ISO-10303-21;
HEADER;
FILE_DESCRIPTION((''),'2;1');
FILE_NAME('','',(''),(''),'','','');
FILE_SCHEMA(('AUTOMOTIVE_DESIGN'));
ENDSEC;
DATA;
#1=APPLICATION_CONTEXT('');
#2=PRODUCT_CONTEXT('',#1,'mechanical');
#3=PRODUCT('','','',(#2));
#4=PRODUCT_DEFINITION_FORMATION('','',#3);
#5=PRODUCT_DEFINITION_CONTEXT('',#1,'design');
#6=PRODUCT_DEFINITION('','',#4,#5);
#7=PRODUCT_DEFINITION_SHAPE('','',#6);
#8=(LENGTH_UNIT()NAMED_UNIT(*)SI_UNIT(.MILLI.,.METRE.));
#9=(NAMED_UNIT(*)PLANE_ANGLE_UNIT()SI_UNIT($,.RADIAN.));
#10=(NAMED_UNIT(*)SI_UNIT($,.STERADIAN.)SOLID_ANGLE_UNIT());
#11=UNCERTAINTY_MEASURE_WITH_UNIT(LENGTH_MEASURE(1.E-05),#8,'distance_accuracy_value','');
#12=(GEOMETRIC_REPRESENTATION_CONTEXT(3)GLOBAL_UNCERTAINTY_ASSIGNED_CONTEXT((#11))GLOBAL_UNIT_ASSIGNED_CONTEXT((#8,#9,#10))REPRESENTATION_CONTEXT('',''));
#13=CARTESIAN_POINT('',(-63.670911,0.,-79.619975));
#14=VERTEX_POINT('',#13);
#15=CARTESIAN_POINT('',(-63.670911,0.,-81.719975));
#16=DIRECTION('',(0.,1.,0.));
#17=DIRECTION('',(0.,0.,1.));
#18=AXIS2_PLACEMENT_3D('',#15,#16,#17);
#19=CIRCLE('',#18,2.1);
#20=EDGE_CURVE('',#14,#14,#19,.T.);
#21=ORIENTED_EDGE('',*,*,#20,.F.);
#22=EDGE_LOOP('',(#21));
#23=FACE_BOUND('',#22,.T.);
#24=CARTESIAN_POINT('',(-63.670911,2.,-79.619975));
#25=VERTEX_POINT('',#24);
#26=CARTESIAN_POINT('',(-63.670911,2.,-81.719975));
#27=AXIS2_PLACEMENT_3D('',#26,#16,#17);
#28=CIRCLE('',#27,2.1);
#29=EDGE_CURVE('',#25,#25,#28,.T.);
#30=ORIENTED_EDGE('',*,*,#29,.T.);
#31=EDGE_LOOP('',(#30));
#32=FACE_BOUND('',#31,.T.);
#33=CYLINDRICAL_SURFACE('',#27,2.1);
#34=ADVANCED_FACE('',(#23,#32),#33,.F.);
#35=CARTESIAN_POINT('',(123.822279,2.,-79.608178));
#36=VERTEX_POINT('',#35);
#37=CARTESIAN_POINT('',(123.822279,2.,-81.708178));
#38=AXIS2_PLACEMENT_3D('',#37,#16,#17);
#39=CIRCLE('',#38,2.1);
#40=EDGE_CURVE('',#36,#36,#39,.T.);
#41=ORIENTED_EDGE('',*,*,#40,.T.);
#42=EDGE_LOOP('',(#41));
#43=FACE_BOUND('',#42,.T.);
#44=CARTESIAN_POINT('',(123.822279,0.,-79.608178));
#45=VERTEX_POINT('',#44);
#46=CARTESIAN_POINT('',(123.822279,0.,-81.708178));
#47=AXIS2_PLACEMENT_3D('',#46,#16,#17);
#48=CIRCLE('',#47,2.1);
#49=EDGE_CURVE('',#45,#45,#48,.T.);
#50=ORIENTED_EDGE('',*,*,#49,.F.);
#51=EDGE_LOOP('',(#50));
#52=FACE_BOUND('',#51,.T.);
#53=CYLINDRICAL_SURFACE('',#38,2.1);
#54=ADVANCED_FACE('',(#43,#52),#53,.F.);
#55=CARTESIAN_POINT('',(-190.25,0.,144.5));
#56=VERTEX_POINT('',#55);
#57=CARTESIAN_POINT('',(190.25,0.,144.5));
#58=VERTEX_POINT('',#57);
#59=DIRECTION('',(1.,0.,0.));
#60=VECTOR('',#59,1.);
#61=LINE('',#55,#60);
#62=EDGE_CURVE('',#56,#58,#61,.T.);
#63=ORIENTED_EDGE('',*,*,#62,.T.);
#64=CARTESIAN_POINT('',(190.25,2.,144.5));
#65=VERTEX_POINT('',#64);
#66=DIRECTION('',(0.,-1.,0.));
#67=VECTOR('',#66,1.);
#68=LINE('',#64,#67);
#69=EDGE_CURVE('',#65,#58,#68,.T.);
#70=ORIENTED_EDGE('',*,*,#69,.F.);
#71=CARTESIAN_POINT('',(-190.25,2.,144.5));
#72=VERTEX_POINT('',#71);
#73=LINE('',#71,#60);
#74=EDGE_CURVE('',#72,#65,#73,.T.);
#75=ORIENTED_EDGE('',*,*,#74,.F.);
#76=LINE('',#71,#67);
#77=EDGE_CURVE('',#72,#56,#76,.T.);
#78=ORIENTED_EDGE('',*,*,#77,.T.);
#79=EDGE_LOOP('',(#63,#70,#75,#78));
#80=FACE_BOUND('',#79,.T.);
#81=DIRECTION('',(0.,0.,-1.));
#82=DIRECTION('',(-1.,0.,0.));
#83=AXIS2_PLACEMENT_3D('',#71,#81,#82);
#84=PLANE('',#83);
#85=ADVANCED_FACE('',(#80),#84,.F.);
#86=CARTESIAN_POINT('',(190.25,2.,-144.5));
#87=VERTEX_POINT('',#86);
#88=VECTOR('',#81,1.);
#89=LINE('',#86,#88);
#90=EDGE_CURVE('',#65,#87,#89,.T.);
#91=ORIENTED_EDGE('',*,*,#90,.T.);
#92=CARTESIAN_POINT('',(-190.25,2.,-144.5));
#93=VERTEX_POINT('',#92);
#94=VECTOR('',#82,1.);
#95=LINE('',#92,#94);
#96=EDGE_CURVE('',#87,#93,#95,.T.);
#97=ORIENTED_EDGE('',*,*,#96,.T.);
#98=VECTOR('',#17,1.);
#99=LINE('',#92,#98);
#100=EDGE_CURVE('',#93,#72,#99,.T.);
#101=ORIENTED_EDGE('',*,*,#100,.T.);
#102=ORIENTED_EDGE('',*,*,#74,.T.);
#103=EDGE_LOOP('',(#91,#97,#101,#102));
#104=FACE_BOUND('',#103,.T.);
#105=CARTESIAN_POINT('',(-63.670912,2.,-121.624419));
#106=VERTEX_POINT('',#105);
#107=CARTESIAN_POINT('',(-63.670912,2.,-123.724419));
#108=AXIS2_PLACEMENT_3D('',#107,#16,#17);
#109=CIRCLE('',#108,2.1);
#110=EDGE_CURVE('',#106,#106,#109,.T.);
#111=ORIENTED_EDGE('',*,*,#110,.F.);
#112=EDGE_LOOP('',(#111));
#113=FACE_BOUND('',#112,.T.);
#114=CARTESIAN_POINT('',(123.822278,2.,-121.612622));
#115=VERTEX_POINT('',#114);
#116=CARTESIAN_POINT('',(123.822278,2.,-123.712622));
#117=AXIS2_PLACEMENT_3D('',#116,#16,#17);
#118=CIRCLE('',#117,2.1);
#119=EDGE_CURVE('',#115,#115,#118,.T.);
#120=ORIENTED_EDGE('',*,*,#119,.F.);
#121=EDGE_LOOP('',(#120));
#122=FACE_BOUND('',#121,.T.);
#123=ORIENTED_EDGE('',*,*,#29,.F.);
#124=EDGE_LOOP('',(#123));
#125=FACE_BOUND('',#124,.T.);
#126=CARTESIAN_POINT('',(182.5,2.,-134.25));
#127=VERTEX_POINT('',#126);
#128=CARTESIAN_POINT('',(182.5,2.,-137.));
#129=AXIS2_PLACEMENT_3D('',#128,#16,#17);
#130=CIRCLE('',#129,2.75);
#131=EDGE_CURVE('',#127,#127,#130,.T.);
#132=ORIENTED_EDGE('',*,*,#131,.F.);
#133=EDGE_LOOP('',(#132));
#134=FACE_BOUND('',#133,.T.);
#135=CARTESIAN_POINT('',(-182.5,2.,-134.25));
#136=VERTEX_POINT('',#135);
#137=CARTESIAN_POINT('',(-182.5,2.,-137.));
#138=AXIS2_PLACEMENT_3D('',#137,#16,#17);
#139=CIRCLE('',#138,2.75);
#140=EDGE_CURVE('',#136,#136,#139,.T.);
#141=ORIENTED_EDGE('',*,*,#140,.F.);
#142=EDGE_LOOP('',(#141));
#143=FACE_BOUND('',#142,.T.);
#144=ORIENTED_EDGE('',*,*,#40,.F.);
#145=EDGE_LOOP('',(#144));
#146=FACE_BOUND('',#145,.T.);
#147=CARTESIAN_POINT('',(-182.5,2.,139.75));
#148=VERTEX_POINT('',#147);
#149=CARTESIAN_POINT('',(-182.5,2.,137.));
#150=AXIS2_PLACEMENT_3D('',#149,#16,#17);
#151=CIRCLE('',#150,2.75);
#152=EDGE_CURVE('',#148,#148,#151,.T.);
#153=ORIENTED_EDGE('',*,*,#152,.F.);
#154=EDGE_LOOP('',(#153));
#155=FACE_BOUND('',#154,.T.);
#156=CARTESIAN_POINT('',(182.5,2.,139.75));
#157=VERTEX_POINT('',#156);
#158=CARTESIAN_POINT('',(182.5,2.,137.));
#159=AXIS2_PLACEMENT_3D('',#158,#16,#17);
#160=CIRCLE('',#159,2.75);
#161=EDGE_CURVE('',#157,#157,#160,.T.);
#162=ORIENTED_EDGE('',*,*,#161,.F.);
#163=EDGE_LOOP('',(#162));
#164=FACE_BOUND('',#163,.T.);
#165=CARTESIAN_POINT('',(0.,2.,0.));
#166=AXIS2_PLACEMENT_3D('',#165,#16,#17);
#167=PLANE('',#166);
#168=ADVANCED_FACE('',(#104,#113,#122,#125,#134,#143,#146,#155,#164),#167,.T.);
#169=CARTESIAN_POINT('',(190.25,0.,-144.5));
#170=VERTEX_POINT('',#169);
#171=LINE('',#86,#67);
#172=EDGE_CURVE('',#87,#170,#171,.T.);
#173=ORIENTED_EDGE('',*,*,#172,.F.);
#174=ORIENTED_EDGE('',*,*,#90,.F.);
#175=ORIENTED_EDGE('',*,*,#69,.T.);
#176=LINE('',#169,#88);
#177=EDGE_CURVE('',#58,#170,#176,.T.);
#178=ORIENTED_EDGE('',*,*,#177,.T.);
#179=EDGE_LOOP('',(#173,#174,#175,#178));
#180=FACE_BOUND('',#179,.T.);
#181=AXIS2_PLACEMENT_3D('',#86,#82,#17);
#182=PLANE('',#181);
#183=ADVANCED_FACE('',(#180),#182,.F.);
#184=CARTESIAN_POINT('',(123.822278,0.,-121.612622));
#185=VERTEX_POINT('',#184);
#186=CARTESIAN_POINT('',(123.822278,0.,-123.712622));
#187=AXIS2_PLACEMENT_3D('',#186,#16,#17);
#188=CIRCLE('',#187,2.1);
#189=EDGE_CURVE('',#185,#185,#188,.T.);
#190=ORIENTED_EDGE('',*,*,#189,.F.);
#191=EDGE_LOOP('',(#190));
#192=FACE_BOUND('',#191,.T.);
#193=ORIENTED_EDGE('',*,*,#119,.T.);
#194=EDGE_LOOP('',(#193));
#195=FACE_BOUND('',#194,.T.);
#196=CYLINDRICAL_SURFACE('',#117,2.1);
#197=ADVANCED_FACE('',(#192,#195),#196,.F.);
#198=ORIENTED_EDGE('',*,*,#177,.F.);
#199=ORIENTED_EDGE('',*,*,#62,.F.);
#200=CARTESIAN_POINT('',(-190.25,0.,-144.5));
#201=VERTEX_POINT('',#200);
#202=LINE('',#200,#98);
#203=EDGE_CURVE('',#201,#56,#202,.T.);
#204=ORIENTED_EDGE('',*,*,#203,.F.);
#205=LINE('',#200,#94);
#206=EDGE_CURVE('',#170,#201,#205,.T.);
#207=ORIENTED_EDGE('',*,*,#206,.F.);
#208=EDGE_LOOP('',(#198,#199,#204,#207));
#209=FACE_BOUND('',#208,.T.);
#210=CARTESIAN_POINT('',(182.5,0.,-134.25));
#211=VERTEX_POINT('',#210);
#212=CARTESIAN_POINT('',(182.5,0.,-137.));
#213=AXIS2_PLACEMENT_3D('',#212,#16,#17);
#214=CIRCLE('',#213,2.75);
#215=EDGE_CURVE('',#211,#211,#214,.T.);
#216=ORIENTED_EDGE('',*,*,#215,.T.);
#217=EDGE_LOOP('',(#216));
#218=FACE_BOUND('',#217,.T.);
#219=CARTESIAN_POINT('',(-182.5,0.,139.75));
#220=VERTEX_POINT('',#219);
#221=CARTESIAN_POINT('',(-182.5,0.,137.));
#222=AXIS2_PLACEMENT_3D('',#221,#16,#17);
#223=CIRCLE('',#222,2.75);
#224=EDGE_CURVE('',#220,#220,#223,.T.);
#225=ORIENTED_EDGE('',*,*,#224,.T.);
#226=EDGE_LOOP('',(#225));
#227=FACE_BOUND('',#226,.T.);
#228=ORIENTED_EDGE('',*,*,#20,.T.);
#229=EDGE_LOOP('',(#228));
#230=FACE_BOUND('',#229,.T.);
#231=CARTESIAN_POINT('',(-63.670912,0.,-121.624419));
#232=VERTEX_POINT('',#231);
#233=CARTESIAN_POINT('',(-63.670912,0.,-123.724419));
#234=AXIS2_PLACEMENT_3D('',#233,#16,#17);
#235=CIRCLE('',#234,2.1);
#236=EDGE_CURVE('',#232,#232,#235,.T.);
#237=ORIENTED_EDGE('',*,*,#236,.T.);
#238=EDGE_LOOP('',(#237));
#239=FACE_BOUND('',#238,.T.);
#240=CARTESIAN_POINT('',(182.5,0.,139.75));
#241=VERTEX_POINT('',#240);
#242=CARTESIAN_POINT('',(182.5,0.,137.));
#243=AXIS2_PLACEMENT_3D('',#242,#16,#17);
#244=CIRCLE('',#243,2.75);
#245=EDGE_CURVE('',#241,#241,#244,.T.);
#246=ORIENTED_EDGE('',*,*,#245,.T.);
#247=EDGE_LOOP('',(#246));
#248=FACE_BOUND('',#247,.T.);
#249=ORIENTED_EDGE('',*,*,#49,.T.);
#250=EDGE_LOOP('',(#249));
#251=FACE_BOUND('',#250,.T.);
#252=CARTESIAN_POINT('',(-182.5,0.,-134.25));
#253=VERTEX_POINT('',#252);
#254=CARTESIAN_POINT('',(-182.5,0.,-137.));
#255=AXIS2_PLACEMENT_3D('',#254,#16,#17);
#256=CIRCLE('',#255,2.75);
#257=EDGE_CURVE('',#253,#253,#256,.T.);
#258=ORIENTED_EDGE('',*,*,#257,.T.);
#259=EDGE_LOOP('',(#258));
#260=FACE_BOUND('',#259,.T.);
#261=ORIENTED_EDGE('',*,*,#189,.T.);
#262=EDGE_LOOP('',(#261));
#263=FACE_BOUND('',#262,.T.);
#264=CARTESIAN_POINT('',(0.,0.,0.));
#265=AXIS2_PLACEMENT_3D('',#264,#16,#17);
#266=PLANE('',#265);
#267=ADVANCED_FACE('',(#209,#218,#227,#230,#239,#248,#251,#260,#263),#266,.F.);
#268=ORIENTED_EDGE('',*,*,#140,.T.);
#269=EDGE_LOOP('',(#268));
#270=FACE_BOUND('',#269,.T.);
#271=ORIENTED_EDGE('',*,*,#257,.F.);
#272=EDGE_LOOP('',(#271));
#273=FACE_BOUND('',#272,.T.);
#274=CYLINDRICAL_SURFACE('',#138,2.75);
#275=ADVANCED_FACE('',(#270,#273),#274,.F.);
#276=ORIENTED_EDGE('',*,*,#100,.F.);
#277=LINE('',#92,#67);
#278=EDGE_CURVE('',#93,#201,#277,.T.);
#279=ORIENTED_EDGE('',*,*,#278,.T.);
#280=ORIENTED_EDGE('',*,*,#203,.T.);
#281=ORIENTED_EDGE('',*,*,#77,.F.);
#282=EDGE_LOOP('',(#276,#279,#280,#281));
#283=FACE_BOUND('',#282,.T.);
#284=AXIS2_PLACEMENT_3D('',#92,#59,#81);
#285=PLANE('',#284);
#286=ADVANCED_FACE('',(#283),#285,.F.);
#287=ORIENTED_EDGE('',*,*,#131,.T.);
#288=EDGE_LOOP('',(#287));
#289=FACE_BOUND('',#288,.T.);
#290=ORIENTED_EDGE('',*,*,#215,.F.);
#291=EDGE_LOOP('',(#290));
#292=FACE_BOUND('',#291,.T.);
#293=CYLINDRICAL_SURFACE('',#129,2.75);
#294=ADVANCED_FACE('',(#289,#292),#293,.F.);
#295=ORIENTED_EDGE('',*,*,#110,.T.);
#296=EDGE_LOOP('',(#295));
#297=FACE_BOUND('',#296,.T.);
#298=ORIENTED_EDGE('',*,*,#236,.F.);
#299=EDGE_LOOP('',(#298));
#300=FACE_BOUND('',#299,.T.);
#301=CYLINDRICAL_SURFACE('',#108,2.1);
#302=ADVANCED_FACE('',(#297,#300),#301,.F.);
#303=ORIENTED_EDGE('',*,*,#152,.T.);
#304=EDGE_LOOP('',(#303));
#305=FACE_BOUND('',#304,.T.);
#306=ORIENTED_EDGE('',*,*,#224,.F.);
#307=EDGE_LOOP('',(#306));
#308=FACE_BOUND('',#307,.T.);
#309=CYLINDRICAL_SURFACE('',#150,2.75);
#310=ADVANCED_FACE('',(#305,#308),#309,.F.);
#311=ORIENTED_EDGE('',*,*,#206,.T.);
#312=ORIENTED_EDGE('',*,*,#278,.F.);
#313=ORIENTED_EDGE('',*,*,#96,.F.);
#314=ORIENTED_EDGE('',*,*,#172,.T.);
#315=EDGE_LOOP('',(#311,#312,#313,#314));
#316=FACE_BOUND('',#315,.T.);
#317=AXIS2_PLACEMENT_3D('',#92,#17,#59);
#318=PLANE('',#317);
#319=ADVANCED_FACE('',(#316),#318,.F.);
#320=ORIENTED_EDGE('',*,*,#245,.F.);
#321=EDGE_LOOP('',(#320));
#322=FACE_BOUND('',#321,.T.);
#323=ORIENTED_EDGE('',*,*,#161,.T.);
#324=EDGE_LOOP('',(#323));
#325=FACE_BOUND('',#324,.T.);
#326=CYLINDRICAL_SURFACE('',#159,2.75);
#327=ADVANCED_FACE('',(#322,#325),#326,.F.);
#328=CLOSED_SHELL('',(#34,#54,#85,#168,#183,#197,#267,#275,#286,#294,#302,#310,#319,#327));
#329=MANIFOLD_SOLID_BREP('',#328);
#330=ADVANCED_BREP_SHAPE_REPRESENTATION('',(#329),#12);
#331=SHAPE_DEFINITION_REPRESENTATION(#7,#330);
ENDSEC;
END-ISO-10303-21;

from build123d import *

# Parameters (mm, degrees)
SKETCH9_W                  = 380.5
SKETCH9_H                  = 289
BOSS_EXTRUDE2_DEPTH        = 2
M5_CLEARANCE_HOLE1_D       = 5.5
MIRROR2_COPY_1_D           = 5.5
F_4_2_4_2_DIAMETER_HOLE1_D = 4.2


with BuildPart() as part:
    # Sketch9 → Boss-Extrude2 (new body)
    with BuildSketch(Plane(origin=(0, 0, 0), x_dir=(1, 0, 0), z_dir=(0, 1, 0))):
        Rectangle(SKETCH9_W, SKETCH9_H)
    extrude(amount=BOSS_EXTRUDE2_DEPTH)

    # M5 Clearance Hole1 (through all)
    with Locations(Plane(origin=(0, 2, 0), x_dir=(1, 0, 0), z_dir=(0, 1, 0))):
        with Locations((182.5, 137)):
            m5_clearance_hole1 = Hole(M5_CLEARANCE_HOLE1_D / 2)

    # Mirror1: M5 Clearance Hole1 across plane
    add(m5_clearance_hole1.mirror(Plane.XY), mode=Mode.SUBTRACT)

    # Mirror2: M5 Clearance Hole1 across plane
    add(m5_clearance_hole1.mirror(Plane(origin=(0, 0, 0), x_dir=(0, 0, 1), z_dir=(1, 0, 0))), mode=Mode.SUBTRACT)

    # Mirror2 copy 1 (through all)
    with Locations(Plane(origin=(0, 2, 0), x_dir=(-1, 0, 0), z_dir=(0, 1, 0))):
        with Locations((182.5, 137)):
            Hole(MIRROR2_COPY_1_D / 2)

    # Ø4.2 (4.2) Diameter Hole1 (through all)
    with Locations(Plane(origin=(0, 2, 0), x_dir=(1, 0, 0), z_dir=(0, 1, 0))):
        with Locations((-63.670911712, 123.724418587), (-63.670911465, 81.719974794), (123.822278547, 81.708178414), (123.8222783, 123.712622207)):
            Hole(F_4_2_4_2_DIAMETER_HOLE1_D / 2)


solid = part.part
